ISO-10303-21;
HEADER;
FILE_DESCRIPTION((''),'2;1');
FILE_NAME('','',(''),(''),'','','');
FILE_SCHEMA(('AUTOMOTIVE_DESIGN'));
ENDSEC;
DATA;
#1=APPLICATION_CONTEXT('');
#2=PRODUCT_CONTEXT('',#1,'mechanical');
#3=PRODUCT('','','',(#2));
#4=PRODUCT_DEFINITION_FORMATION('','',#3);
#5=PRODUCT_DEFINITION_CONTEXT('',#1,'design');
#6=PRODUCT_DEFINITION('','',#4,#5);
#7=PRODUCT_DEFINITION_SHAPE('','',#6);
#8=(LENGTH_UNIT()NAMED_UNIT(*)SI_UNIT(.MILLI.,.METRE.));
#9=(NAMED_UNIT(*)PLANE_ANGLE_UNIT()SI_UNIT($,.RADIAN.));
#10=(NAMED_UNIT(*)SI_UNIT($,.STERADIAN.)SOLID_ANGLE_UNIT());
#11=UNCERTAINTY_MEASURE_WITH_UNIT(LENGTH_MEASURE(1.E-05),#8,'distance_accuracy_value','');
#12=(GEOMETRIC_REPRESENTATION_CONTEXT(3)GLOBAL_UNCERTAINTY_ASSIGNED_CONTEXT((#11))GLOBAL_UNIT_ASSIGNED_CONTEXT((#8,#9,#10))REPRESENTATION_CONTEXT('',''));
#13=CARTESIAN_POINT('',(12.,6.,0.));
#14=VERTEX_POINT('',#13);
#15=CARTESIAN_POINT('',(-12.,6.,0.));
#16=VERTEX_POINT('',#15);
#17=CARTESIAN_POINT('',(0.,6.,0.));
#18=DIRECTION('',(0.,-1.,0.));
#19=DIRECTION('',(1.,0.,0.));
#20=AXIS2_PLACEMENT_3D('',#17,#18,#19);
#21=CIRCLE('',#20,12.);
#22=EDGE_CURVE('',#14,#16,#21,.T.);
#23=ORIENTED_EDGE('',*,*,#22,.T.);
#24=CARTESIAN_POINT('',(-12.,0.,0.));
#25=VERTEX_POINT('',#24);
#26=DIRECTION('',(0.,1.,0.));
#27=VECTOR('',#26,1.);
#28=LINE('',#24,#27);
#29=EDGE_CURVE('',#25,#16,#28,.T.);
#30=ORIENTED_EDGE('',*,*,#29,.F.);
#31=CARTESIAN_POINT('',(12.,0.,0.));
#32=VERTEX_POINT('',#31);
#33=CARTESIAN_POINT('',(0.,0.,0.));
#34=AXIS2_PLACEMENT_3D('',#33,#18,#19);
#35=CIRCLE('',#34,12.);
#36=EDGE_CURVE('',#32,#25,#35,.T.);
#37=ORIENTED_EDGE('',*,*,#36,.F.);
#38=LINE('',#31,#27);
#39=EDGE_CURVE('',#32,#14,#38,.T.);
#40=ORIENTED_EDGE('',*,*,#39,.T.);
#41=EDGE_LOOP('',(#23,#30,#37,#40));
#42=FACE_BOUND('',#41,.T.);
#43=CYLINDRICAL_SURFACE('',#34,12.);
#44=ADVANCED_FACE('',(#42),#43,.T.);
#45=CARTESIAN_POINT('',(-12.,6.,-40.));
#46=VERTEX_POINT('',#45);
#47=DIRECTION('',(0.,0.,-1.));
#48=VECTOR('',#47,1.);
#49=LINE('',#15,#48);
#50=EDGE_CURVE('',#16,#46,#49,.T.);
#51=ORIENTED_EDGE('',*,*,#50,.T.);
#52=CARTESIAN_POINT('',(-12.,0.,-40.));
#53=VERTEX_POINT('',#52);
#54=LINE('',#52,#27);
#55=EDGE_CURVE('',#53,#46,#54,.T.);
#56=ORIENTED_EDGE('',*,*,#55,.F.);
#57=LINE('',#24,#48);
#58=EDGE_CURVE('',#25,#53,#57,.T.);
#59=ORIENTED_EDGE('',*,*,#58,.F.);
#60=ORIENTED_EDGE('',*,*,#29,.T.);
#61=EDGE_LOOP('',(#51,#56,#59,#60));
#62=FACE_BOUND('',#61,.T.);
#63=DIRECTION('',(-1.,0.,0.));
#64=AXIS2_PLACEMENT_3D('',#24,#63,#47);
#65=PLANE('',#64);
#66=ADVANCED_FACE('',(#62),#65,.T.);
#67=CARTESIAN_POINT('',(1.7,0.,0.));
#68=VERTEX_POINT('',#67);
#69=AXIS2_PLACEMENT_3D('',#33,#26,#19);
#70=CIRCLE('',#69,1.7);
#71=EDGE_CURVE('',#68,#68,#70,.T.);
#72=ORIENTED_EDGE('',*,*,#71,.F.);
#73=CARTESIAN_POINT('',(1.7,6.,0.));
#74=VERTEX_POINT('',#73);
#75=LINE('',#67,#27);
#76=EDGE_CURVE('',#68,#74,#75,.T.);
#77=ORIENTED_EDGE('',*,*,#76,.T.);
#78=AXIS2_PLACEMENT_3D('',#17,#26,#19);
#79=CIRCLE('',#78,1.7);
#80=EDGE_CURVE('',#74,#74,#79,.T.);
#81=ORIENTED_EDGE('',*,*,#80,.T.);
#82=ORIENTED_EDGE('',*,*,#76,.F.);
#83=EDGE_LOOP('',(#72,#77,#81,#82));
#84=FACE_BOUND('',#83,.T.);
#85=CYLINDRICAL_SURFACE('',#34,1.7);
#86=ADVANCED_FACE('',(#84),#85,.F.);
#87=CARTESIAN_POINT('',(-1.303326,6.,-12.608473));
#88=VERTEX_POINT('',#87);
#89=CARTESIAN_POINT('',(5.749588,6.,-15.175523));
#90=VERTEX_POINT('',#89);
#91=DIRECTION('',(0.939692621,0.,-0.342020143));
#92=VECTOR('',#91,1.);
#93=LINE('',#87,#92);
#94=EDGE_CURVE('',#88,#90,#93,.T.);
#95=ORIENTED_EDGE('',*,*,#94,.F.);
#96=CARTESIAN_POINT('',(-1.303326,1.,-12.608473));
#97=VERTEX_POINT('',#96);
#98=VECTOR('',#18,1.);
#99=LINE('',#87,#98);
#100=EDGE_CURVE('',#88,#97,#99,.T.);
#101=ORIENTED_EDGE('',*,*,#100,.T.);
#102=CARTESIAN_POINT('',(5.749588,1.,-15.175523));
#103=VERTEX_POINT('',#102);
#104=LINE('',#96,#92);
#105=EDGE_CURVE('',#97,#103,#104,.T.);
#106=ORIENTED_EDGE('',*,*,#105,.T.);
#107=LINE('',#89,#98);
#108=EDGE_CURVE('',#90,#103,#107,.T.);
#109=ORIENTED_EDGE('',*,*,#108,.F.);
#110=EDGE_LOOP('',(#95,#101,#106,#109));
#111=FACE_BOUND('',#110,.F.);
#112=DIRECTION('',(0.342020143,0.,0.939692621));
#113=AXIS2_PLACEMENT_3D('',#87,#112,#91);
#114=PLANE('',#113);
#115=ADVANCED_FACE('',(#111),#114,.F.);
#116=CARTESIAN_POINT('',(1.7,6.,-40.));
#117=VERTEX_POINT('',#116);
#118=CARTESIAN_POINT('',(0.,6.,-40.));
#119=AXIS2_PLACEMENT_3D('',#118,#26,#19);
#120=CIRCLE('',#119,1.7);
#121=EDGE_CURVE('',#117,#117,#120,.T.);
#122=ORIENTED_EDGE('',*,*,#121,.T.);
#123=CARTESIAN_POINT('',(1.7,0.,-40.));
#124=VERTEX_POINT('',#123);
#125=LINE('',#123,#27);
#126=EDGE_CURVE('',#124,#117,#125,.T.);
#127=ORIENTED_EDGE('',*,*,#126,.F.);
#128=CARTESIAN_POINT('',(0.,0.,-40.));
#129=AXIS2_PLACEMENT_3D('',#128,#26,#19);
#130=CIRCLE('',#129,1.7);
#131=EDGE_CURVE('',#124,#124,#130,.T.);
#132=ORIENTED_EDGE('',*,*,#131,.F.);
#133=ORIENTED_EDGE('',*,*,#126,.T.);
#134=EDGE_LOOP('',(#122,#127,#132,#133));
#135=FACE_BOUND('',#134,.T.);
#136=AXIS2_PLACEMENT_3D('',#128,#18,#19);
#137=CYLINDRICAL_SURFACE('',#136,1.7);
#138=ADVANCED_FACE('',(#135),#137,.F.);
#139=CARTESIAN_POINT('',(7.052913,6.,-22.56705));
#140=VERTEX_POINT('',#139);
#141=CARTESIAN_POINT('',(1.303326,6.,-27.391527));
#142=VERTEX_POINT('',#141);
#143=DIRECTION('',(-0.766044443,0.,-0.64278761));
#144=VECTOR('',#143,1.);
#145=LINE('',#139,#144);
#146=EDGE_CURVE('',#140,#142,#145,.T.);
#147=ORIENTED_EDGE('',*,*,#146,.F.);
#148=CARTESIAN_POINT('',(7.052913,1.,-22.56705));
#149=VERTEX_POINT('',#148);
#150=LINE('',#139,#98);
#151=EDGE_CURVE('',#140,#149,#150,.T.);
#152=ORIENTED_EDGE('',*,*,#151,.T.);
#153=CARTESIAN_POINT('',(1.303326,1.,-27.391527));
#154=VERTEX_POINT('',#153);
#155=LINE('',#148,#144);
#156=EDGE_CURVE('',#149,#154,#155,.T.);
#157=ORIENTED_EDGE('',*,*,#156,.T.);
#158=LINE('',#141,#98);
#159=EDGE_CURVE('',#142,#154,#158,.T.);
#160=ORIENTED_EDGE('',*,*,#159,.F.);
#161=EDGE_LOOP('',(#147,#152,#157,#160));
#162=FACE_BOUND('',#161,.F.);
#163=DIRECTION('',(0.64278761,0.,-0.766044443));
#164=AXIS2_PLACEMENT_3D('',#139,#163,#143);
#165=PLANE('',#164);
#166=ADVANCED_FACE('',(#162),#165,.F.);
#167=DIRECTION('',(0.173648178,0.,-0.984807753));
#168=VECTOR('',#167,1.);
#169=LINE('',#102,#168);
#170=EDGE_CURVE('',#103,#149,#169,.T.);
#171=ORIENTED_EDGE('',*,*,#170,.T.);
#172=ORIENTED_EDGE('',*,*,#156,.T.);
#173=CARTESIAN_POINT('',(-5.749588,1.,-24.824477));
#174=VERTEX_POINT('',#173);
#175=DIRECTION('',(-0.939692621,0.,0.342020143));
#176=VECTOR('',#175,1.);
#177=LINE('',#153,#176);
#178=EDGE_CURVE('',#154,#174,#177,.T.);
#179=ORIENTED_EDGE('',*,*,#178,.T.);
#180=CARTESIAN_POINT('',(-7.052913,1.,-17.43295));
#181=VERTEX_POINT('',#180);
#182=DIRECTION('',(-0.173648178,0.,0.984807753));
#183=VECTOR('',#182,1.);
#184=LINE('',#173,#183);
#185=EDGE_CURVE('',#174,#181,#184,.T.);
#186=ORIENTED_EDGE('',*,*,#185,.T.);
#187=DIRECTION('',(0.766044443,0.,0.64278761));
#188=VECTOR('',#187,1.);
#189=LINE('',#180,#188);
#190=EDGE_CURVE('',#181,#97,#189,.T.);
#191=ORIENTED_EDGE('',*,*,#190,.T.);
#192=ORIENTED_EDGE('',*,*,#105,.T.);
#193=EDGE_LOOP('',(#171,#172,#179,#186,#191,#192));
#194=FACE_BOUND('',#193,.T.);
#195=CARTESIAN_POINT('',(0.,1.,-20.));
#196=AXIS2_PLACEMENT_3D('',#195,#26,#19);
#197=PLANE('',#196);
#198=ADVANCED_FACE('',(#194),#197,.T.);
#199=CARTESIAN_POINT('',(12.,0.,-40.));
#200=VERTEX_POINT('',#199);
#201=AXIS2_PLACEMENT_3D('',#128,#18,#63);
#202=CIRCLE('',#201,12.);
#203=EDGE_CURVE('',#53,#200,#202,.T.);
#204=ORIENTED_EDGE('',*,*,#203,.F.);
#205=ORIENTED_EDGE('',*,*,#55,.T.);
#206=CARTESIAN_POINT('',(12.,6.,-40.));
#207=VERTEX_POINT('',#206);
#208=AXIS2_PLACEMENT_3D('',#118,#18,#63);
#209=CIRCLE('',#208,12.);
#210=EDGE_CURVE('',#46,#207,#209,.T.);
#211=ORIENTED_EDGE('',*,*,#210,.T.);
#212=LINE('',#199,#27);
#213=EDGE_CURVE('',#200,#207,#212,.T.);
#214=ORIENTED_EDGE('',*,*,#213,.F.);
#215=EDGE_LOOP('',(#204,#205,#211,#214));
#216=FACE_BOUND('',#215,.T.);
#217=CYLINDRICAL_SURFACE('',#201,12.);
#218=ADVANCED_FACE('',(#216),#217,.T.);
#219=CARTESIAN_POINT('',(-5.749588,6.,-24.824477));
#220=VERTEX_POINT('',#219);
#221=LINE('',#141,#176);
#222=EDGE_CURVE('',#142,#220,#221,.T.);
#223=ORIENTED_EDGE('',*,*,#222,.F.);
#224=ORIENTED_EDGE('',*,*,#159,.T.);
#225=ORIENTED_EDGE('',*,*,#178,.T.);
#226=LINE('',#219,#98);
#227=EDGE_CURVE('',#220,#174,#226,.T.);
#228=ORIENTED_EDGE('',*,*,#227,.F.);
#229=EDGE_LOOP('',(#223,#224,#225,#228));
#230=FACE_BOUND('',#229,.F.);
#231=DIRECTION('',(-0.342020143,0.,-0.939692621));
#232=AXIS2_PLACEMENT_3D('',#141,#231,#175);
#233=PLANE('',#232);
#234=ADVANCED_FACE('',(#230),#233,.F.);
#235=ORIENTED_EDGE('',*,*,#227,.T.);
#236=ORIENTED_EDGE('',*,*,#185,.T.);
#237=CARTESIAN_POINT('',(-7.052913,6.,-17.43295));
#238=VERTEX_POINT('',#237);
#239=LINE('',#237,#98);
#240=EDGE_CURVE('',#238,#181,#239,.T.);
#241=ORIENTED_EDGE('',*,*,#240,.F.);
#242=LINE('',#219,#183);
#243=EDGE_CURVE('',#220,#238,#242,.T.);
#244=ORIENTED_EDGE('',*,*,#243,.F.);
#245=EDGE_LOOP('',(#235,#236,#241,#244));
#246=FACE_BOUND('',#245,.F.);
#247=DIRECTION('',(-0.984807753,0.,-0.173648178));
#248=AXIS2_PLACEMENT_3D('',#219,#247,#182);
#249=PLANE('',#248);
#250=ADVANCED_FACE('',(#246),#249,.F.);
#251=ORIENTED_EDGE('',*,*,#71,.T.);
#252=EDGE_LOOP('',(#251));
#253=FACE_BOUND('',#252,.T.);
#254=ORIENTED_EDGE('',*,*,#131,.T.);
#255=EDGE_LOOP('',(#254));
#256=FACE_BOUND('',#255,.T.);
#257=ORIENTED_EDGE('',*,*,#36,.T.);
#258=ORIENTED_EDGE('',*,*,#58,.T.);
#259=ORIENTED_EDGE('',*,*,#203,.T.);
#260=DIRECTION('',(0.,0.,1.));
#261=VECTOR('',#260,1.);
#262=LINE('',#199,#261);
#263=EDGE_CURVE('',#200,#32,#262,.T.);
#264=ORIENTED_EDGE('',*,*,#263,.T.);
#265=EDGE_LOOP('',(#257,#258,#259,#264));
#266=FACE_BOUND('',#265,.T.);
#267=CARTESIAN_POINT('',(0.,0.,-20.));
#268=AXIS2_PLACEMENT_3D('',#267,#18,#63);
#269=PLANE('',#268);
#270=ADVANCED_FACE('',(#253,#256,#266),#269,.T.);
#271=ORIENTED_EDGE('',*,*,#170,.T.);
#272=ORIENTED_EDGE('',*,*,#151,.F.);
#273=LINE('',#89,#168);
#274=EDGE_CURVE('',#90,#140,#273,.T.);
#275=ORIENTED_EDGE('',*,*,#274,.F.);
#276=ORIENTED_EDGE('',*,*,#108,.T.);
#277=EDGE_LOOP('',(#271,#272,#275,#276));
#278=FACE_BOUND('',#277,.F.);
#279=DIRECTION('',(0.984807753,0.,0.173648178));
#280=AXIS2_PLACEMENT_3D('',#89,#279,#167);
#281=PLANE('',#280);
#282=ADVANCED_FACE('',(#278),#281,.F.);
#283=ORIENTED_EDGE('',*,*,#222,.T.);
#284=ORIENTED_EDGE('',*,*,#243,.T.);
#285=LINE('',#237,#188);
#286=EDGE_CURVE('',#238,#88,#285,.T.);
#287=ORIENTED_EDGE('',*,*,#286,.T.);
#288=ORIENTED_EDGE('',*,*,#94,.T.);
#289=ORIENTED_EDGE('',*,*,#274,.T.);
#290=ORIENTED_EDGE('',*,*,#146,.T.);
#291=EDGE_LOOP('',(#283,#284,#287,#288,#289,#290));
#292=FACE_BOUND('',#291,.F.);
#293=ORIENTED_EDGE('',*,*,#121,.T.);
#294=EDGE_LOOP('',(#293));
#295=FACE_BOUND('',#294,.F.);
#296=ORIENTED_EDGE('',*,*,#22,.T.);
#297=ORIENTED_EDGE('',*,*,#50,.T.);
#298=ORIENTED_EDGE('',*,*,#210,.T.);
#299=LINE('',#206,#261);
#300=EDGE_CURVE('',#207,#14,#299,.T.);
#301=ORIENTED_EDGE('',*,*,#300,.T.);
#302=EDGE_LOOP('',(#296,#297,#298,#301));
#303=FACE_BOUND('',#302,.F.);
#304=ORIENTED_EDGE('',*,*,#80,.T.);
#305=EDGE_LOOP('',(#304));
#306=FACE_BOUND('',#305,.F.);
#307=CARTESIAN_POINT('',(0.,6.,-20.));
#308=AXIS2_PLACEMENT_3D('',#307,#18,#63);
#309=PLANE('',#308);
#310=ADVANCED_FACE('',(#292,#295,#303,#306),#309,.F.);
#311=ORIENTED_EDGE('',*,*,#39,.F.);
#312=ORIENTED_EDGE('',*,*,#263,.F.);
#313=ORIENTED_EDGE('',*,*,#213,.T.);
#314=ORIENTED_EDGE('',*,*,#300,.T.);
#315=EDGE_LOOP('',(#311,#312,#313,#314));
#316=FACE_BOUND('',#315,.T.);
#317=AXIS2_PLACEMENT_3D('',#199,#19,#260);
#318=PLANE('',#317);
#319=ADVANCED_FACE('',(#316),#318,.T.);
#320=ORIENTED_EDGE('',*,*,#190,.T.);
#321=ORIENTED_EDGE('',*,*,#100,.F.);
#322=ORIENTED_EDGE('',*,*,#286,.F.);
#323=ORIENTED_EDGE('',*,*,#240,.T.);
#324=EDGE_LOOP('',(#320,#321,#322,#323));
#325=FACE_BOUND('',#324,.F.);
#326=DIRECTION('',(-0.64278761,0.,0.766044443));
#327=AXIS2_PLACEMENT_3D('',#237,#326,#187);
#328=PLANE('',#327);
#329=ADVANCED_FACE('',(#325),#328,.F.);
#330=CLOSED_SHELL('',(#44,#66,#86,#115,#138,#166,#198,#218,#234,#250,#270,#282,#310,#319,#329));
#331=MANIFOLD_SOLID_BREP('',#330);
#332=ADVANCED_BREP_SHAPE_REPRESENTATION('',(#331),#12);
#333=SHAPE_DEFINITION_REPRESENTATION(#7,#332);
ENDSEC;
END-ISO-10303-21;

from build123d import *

# Parameters (mm, degrees)
SKETCH1_R           = 1.7
BOSS_EXTRUDE1_DEPTH = 6
CUT_EXTRUDE1_DEPTH  = 5


with BuildPart() as part:
    # Sketch1 → Boss-Extrude1 (new body)
    with BuildSketch(Plane(origin=(0, 0, 0), x_dir=(1, 0, 0), z_dir=(0, 1, 0))):
        with BuildLine():
            Line((-12, 0), (-12, 40))
            ThreePointArc((-12, 40), (0, 52), (12, 40))
            Line((12, 40), (12, 0))
            ThreePointArc((12, 0), (0, -12), (-12, 0))
        make_face()
        with Locations((0, 40)):
            Circle(SKETCH1_R, mode=Mode.SUBTRACT)
        Circle(SKETCH1_R, mode=Mode.SUBTRACT)
    extrude(amount=BOSS_EXTRUDE1_DEPTH)

    # Sketch2 → Cut-Extrude1 (cut)
    with BuildSketch(Plane(origin=(0, 6, 0), x_dir=(1, 0, 0), z_dir=(0, 1, 0))):
        Polygon((5.749587551, 15.175523207), (7.052913238, 22.567050484), (1.303325688, 27.391527277), (-5.749587551, 24.824476793), (-7.052913238, 17.432949516), (-1.303325688, 12.608472723), align=None)
    extrude(amount=-CUT_EXTRUDE1_DEPTH, mode=Mode.SUBTRACT)


solid = part.part
